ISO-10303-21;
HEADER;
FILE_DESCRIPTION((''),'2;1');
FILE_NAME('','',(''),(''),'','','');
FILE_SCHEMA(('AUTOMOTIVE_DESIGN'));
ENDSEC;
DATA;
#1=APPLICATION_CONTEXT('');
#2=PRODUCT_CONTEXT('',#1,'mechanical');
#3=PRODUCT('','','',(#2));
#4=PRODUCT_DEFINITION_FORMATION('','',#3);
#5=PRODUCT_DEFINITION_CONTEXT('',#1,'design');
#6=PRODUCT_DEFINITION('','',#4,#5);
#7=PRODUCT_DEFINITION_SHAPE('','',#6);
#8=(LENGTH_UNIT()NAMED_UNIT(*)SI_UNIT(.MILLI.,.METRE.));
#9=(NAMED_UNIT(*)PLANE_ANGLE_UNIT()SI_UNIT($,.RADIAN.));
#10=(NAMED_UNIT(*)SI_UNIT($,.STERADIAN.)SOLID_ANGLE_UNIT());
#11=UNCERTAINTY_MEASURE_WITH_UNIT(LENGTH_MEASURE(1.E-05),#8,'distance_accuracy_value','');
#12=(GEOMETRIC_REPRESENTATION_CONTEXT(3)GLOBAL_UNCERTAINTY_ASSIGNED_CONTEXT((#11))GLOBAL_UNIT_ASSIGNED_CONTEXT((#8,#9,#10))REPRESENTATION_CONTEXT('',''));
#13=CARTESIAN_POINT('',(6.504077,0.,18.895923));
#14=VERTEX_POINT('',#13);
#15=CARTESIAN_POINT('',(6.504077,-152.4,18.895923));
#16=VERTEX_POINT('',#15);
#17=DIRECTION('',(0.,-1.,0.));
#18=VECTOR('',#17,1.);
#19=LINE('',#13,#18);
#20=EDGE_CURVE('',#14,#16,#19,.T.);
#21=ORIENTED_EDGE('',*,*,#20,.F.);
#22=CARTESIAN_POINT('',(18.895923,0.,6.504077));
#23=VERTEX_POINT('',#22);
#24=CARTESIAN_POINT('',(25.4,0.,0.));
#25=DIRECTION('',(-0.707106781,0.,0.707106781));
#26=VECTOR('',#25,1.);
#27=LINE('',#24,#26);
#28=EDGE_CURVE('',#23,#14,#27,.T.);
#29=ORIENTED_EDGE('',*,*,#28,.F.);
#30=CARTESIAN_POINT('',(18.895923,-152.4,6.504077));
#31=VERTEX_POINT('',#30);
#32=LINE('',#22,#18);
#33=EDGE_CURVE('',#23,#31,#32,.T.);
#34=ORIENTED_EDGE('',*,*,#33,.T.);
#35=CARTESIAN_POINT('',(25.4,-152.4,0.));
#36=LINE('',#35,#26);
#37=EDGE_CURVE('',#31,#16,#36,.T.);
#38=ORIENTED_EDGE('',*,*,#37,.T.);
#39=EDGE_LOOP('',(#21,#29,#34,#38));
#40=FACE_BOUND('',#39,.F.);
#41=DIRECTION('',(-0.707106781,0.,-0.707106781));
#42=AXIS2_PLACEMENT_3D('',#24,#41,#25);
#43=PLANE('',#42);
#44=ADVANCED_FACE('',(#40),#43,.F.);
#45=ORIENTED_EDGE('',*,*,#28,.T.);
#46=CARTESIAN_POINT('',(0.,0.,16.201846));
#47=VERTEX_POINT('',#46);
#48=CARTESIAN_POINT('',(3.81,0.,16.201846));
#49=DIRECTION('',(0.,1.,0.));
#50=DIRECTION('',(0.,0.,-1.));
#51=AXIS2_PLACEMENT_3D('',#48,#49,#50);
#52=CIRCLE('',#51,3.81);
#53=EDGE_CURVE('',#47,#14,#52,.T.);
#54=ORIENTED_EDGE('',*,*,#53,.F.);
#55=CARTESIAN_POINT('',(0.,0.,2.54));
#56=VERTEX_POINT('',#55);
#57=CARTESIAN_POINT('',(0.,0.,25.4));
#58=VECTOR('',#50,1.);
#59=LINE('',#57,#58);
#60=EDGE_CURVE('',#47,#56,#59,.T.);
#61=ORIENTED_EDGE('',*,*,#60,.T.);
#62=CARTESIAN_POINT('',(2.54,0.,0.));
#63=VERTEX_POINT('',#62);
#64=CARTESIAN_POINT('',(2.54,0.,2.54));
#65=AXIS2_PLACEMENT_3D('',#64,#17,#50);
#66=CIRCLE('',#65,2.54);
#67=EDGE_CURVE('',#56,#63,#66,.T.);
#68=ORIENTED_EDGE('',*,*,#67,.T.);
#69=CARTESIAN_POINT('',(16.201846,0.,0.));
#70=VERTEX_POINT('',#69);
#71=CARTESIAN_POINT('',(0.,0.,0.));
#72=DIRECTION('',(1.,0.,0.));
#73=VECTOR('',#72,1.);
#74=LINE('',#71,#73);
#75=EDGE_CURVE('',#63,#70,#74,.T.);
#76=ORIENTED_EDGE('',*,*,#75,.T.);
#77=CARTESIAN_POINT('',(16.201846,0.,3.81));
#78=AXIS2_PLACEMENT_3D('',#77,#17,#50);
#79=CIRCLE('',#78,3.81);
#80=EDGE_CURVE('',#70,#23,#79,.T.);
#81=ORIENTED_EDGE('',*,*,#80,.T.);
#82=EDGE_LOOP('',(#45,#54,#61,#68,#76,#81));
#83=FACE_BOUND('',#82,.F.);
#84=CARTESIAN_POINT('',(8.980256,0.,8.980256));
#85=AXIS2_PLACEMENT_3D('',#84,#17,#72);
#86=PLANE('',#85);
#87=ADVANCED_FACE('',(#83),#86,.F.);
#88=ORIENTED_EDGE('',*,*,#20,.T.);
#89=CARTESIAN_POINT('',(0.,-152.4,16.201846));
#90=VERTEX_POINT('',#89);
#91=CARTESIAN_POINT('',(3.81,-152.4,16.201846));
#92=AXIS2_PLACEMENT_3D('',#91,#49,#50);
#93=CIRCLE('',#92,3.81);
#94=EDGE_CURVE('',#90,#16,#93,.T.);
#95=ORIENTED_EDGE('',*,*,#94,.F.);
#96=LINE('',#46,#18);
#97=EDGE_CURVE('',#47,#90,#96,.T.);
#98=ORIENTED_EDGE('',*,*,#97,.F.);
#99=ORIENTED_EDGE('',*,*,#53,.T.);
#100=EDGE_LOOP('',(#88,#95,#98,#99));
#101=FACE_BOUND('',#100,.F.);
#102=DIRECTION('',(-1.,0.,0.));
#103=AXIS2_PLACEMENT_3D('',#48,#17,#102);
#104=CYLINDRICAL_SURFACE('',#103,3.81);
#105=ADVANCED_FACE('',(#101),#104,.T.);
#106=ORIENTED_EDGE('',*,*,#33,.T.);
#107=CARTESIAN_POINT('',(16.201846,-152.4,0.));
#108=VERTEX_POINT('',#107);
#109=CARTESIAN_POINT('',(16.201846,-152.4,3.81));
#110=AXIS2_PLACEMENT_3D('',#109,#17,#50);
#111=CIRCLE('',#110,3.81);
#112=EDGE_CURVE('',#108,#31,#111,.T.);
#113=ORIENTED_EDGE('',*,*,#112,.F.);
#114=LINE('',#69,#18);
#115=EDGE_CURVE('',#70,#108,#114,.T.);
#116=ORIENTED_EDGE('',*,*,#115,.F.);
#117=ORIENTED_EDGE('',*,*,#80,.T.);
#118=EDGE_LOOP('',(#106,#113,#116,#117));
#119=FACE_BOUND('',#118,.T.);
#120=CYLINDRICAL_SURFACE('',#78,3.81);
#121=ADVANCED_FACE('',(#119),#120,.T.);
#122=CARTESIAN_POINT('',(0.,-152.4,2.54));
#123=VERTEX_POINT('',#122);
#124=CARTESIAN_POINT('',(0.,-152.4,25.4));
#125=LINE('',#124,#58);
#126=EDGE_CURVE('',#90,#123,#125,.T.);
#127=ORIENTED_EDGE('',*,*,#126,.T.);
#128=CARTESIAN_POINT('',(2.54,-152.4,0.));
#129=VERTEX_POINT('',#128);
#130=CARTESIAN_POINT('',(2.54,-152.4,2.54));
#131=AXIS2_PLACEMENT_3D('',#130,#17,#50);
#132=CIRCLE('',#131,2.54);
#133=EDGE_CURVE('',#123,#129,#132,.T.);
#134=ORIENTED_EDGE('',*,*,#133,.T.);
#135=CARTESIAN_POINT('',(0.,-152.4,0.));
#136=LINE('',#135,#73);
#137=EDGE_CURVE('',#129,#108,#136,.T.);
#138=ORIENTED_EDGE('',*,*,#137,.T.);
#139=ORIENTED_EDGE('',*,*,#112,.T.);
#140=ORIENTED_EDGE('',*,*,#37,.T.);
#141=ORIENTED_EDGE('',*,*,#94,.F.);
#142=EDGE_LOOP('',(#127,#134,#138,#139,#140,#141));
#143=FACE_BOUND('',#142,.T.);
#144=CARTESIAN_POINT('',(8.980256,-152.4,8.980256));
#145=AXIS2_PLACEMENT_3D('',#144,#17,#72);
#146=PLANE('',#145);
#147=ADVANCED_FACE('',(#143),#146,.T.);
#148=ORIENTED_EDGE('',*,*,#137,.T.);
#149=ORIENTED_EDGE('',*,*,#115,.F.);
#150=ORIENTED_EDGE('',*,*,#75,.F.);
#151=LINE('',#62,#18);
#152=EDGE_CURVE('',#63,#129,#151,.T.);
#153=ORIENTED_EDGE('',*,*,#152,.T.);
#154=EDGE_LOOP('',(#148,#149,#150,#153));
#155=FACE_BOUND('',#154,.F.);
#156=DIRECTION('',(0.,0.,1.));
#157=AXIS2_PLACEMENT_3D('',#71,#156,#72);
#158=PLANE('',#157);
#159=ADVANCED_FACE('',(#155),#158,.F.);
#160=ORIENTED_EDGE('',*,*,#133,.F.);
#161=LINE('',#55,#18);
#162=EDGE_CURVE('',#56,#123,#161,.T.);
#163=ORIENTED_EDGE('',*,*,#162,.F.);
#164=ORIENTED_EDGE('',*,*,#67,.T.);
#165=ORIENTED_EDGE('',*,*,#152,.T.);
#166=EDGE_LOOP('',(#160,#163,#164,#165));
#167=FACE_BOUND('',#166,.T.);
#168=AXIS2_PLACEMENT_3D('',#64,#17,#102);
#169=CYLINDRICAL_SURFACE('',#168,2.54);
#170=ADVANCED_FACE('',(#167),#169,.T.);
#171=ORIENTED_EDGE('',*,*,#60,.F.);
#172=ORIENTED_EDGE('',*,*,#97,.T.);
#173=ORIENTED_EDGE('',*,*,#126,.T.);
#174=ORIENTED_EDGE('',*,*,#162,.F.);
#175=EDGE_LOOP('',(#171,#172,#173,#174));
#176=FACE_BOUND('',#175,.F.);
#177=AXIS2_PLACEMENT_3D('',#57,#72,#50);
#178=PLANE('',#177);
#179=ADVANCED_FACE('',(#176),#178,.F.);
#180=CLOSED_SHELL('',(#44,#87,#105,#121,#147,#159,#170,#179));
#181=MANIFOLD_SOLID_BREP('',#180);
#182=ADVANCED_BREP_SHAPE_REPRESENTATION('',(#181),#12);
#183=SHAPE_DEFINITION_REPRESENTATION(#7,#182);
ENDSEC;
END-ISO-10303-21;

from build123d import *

# Parameters (mm, degrees)
F1_DEPTH = 152.4
F2_R     = 3.81
F3_R     = 2.54


with BuildPart() as f1:
    # F0 (on Front) → F1 (new body)
    with BuildSketch(Plane.XZ):
        Polygon((0, 25.4), (0, 0), (25.4, 0), align=None)
    extrude(amount=F1_DEPTH)

    # F2
    f2_edges = [f1.edges().sort_by_distance(p)[0] for p in [
        (0, -76.2, 25.4),
        (25.4, -76.2, 0),
    ]]
    fillet(f2_edges, radius=F2_R)

    # F3
    f3_edges = [f1.edges().sort_by_distance(p)[0] for p in [
        (0, -76.2, 0),
    ]]
    fillet(f3_edges, radius=F3_R)


solid = f1.part
